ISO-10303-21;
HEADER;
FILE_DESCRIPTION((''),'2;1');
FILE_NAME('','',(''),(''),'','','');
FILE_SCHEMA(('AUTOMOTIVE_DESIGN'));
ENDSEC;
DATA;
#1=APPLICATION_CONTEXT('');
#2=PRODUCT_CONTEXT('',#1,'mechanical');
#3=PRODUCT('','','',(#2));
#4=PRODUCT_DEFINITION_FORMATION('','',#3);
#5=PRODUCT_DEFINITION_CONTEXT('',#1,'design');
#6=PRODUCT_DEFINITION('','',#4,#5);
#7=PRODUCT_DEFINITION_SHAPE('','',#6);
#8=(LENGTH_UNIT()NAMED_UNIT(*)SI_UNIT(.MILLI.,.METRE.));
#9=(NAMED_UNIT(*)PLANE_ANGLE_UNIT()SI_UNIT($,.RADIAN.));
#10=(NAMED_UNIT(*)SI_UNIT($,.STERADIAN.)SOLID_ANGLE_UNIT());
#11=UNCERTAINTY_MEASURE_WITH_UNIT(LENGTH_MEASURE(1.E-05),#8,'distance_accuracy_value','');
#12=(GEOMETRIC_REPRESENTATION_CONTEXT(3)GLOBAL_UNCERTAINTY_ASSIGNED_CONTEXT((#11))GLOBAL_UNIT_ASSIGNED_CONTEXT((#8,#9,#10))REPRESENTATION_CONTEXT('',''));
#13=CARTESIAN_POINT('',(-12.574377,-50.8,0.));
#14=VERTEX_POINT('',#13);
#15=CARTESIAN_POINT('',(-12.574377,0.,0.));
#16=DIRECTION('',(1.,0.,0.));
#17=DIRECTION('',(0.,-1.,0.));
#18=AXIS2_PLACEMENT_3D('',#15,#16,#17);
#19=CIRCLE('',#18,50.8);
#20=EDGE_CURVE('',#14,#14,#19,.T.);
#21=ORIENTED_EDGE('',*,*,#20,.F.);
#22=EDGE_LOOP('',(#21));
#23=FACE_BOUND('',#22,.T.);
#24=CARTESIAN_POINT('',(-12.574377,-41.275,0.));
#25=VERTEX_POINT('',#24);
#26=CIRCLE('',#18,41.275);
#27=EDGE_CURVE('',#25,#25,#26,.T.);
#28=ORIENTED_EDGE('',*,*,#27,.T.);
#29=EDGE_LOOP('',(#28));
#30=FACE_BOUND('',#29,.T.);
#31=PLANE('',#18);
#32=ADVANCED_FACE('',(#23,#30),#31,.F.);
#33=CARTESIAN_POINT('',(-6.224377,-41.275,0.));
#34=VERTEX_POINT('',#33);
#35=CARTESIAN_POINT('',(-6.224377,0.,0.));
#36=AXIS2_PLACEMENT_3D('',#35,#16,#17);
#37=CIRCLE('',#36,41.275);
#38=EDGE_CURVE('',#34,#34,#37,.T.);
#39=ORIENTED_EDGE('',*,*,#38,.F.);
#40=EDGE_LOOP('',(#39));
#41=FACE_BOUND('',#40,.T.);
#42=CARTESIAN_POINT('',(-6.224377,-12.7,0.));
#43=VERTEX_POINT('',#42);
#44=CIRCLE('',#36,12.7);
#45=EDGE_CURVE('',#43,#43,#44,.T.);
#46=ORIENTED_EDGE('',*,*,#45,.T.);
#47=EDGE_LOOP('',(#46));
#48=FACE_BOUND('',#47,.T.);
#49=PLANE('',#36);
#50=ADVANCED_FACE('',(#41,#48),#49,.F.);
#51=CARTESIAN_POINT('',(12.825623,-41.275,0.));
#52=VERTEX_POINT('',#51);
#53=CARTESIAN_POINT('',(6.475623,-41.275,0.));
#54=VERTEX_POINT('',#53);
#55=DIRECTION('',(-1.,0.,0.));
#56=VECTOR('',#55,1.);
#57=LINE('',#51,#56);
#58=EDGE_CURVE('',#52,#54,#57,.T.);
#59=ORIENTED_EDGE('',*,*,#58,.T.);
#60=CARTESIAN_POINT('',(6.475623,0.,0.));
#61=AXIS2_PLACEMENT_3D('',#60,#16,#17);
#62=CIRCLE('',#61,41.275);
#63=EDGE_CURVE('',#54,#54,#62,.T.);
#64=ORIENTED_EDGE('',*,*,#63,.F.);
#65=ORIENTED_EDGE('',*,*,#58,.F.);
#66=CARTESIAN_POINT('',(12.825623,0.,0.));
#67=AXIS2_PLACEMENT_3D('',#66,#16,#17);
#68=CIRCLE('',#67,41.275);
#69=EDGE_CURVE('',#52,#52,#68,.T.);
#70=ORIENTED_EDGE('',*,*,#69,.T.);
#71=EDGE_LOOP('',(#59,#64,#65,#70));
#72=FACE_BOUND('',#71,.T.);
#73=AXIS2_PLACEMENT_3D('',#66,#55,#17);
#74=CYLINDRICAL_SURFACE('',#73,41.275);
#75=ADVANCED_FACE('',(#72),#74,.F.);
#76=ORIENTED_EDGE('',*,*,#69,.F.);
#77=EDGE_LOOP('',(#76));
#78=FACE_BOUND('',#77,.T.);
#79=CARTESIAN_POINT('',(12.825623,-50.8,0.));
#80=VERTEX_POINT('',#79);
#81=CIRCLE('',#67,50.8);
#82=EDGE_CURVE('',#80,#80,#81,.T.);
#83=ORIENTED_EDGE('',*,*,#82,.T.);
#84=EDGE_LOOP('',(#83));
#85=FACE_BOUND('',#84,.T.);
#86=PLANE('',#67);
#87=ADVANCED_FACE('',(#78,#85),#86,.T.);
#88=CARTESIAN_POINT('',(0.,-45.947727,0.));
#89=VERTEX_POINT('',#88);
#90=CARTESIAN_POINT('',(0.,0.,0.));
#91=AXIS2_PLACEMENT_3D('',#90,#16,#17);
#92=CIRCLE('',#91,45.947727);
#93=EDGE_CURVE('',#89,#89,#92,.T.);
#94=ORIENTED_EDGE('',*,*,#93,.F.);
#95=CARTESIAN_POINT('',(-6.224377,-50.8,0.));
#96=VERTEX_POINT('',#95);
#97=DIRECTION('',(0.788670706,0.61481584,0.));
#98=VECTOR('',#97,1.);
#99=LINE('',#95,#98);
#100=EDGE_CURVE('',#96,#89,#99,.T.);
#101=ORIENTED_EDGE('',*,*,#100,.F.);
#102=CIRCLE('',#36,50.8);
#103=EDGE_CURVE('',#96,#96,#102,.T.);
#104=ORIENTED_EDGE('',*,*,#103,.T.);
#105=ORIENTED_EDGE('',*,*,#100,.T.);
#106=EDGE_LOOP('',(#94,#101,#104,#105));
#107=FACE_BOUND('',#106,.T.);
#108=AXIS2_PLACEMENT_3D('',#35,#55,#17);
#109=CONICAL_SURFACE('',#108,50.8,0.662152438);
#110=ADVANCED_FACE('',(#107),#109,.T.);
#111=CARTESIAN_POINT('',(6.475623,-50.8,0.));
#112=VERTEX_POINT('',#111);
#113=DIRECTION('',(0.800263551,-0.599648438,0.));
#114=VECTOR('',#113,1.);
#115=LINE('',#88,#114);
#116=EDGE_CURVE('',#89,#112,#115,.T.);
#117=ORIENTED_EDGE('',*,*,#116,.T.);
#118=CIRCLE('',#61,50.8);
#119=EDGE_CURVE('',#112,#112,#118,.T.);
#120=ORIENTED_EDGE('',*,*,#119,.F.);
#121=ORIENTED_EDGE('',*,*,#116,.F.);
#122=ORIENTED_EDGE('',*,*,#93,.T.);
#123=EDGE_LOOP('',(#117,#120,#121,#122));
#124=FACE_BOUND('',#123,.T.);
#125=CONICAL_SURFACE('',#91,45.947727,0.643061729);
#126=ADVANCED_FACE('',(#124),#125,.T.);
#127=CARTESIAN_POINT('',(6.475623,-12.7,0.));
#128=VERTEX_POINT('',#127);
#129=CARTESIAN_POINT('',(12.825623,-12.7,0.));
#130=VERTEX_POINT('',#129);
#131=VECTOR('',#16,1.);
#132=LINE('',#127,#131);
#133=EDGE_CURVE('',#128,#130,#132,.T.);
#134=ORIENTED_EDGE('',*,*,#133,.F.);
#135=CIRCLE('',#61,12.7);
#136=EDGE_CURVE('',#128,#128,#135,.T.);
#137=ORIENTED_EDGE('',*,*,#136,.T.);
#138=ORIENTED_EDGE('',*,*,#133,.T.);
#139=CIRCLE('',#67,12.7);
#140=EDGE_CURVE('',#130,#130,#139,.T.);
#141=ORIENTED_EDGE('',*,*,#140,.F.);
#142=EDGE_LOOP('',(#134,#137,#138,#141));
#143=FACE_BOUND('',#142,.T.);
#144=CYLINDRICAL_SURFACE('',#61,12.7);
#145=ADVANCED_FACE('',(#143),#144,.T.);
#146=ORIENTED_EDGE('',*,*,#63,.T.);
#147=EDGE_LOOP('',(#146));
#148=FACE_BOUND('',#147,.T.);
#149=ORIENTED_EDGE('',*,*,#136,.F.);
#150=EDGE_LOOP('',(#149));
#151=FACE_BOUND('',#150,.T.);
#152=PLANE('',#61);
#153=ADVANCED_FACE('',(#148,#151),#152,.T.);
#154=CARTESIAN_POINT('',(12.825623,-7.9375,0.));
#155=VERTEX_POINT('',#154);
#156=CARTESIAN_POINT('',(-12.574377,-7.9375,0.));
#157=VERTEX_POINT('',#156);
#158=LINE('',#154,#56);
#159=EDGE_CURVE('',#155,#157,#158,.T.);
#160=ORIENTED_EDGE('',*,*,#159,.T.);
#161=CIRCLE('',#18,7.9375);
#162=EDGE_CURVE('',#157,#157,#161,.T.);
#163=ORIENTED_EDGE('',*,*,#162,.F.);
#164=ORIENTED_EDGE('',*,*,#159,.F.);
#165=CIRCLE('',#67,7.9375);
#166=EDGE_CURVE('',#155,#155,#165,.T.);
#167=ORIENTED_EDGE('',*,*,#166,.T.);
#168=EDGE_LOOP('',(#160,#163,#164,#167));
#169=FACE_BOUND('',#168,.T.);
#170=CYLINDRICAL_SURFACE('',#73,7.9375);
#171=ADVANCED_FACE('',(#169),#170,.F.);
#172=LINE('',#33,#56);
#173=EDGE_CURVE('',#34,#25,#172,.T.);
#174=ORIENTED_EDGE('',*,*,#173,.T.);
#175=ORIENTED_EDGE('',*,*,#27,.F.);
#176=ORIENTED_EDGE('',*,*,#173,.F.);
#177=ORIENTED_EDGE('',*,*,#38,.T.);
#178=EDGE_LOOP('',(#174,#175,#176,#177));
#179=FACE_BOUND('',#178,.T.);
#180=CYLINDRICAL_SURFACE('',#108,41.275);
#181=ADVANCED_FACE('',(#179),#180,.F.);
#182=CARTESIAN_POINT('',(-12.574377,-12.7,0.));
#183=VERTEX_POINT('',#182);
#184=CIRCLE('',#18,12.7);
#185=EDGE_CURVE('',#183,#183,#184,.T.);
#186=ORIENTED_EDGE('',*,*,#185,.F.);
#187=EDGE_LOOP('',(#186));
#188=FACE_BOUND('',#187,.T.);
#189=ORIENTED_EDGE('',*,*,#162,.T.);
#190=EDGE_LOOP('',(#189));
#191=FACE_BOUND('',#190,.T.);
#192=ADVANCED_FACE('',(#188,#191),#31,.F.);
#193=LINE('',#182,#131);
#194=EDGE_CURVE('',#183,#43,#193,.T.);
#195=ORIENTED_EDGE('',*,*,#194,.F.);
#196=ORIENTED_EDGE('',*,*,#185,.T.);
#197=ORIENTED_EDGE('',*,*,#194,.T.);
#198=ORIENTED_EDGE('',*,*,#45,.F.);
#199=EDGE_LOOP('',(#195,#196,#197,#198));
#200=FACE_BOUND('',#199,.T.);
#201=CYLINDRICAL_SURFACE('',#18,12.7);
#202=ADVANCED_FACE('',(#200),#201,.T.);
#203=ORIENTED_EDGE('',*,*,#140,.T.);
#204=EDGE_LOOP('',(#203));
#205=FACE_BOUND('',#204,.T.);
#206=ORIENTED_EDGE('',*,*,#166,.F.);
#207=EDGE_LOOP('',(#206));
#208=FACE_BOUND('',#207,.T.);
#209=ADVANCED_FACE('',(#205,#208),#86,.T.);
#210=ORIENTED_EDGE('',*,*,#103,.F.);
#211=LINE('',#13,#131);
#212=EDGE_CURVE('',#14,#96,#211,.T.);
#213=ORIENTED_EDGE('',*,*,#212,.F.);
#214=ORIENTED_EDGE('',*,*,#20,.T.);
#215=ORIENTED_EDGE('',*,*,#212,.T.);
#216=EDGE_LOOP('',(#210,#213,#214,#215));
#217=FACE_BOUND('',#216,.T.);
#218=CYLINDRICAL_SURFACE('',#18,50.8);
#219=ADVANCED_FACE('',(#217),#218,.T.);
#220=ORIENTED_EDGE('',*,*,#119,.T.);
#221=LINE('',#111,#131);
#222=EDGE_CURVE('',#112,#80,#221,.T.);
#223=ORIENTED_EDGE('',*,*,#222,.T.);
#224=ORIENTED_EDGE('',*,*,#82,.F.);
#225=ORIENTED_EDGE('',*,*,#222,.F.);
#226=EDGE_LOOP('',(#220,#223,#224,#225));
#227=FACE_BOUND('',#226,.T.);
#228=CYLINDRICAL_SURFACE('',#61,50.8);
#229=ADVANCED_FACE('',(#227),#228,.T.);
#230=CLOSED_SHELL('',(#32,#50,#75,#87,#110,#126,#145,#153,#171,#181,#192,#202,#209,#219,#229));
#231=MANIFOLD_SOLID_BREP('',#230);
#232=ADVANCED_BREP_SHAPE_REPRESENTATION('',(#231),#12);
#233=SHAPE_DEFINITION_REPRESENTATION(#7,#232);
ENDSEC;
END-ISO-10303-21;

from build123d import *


with BuildPart() as f2:
    # F1 (on Top) → F2 (revolve)
    with BuildSketch(Plane.XY):
        Polygon((12.825623, -7.9375), (-12.574377, -7.9375), (-12.574377, -12.7), (-6.224377, -12.7), (-6.224377, -41.275), (-12.574377, -41.275), (-12.574377, -50.8), (-6.224377, -50.8), (0, -45.947727), (6.475623, -50.8), (12.825623, -50.8), (12.825623, -41.275), (6.475623, -41.275), (6.475623, -12.7), (12.825623, -12.7), align=None)
    revolve(axis=Axis((-2.103763, 0, 0), (1, 0, 0)))


solid = f2.part
